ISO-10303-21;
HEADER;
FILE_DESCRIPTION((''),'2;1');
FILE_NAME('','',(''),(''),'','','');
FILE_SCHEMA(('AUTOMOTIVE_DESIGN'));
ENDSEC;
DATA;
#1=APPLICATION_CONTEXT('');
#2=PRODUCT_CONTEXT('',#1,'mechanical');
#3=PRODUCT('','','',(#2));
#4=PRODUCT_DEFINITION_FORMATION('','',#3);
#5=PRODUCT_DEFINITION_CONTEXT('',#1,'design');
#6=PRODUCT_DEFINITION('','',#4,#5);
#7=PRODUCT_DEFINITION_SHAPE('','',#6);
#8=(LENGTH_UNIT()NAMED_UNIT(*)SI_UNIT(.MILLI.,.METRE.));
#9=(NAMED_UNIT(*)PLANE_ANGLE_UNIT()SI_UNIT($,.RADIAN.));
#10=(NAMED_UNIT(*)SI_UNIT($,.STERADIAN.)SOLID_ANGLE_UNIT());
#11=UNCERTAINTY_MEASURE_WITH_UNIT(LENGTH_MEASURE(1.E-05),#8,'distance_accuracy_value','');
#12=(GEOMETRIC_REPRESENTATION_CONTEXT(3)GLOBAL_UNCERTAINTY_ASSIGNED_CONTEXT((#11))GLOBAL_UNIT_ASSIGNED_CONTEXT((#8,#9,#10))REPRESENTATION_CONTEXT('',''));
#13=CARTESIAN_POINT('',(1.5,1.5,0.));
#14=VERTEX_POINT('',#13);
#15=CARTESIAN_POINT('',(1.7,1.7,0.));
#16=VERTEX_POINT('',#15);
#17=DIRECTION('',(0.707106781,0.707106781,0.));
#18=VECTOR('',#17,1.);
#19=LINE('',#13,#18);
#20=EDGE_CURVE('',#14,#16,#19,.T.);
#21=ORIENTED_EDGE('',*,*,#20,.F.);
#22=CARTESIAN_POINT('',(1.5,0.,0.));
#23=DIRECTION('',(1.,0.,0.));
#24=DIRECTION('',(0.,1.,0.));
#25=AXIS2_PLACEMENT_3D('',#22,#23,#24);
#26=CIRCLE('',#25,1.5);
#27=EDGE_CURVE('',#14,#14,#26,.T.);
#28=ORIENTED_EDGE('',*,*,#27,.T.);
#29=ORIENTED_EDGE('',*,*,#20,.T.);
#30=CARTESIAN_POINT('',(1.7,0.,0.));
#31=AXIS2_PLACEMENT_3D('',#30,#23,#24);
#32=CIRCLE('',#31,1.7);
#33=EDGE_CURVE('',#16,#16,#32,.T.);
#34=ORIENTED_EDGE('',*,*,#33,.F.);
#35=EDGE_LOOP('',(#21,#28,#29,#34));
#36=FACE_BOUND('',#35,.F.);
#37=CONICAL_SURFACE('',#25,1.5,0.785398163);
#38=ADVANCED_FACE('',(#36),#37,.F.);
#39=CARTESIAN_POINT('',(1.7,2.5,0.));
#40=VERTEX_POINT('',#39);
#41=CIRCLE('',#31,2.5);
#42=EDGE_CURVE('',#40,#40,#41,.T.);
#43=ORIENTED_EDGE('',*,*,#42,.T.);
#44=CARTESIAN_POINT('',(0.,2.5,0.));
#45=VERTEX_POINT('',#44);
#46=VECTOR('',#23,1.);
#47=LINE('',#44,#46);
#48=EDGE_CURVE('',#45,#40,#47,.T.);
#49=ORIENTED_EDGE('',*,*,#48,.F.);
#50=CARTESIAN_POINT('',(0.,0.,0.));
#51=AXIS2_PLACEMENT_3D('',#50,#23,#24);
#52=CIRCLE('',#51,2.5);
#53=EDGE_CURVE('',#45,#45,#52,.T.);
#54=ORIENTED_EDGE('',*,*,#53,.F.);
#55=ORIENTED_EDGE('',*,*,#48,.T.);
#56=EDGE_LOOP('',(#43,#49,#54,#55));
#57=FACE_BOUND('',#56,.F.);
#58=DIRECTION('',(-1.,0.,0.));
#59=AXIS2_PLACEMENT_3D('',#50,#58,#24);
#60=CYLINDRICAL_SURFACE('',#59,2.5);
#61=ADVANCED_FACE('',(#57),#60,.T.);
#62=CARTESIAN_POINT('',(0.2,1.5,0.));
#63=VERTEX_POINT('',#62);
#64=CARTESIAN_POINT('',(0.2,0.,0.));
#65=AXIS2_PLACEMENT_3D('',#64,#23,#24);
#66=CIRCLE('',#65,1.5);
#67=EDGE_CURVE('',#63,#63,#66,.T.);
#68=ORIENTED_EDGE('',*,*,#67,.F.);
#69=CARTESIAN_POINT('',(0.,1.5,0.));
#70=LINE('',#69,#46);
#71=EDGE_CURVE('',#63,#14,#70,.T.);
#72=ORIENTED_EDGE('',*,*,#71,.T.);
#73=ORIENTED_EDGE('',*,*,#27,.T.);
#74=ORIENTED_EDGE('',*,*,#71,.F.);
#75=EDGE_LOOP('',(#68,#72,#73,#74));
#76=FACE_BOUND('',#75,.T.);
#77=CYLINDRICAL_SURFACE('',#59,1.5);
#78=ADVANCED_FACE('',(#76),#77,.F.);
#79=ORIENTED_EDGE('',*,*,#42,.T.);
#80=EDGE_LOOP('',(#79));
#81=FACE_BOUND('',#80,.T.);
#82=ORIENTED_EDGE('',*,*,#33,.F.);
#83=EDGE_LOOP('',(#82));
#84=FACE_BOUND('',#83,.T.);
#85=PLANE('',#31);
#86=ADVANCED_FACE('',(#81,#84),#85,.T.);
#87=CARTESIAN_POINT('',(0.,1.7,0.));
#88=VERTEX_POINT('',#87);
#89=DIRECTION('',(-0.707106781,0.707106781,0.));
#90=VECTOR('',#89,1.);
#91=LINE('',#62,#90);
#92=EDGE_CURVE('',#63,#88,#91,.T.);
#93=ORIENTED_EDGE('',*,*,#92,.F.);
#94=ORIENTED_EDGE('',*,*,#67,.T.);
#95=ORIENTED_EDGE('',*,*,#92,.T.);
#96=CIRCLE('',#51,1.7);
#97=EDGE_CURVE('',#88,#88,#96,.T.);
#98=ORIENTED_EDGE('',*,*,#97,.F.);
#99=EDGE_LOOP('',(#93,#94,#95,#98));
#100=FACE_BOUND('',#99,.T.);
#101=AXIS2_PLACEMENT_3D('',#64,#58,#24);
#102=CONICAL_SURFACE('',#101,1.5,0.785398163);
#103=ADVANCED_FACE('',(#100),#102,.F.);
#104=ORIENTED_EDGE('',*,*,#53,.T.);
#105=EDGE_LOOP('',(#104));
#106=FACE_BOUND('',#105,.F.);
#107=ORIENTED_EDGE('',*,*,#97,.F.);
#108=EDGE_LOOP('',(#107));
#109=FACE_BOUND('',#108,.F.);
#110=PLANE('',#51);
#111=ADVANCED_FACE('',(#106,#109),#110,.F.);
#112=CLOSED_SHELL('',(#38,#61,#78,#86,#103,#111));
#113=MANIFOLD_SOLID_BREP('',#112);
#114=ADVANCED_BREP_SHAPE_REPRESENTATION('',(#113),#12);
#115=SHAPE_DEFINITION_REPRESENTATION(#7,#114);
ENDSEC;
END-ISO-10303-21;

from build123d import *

# Parameters (mm, degrees)
F0_R     = 2.5
F0_R_2   = 1.5
F1_DEPTH = 1.7
F2_SIZE  = 0.2


with BuildPart() as f1:
    # F0 (on Right) → F1 (new body)
    with BuildSketch(Plane.YZ):
        Circle(F0_R)
        Circle(F0_R_2, mode=Mode.SUBTRACT)
    extrude(amount=F1_DEPTH)

    # F2
    f2_edges = [f1.edges().sort_by_distance(p)[0] for p in [
        (0.85, 1.5, 0),
        (0, -1.5, 0),
        (1.7, -1.5, 0),
    ]]
    chamfer(f2_edges, length=F2_SIZE)


solid = f1.part
